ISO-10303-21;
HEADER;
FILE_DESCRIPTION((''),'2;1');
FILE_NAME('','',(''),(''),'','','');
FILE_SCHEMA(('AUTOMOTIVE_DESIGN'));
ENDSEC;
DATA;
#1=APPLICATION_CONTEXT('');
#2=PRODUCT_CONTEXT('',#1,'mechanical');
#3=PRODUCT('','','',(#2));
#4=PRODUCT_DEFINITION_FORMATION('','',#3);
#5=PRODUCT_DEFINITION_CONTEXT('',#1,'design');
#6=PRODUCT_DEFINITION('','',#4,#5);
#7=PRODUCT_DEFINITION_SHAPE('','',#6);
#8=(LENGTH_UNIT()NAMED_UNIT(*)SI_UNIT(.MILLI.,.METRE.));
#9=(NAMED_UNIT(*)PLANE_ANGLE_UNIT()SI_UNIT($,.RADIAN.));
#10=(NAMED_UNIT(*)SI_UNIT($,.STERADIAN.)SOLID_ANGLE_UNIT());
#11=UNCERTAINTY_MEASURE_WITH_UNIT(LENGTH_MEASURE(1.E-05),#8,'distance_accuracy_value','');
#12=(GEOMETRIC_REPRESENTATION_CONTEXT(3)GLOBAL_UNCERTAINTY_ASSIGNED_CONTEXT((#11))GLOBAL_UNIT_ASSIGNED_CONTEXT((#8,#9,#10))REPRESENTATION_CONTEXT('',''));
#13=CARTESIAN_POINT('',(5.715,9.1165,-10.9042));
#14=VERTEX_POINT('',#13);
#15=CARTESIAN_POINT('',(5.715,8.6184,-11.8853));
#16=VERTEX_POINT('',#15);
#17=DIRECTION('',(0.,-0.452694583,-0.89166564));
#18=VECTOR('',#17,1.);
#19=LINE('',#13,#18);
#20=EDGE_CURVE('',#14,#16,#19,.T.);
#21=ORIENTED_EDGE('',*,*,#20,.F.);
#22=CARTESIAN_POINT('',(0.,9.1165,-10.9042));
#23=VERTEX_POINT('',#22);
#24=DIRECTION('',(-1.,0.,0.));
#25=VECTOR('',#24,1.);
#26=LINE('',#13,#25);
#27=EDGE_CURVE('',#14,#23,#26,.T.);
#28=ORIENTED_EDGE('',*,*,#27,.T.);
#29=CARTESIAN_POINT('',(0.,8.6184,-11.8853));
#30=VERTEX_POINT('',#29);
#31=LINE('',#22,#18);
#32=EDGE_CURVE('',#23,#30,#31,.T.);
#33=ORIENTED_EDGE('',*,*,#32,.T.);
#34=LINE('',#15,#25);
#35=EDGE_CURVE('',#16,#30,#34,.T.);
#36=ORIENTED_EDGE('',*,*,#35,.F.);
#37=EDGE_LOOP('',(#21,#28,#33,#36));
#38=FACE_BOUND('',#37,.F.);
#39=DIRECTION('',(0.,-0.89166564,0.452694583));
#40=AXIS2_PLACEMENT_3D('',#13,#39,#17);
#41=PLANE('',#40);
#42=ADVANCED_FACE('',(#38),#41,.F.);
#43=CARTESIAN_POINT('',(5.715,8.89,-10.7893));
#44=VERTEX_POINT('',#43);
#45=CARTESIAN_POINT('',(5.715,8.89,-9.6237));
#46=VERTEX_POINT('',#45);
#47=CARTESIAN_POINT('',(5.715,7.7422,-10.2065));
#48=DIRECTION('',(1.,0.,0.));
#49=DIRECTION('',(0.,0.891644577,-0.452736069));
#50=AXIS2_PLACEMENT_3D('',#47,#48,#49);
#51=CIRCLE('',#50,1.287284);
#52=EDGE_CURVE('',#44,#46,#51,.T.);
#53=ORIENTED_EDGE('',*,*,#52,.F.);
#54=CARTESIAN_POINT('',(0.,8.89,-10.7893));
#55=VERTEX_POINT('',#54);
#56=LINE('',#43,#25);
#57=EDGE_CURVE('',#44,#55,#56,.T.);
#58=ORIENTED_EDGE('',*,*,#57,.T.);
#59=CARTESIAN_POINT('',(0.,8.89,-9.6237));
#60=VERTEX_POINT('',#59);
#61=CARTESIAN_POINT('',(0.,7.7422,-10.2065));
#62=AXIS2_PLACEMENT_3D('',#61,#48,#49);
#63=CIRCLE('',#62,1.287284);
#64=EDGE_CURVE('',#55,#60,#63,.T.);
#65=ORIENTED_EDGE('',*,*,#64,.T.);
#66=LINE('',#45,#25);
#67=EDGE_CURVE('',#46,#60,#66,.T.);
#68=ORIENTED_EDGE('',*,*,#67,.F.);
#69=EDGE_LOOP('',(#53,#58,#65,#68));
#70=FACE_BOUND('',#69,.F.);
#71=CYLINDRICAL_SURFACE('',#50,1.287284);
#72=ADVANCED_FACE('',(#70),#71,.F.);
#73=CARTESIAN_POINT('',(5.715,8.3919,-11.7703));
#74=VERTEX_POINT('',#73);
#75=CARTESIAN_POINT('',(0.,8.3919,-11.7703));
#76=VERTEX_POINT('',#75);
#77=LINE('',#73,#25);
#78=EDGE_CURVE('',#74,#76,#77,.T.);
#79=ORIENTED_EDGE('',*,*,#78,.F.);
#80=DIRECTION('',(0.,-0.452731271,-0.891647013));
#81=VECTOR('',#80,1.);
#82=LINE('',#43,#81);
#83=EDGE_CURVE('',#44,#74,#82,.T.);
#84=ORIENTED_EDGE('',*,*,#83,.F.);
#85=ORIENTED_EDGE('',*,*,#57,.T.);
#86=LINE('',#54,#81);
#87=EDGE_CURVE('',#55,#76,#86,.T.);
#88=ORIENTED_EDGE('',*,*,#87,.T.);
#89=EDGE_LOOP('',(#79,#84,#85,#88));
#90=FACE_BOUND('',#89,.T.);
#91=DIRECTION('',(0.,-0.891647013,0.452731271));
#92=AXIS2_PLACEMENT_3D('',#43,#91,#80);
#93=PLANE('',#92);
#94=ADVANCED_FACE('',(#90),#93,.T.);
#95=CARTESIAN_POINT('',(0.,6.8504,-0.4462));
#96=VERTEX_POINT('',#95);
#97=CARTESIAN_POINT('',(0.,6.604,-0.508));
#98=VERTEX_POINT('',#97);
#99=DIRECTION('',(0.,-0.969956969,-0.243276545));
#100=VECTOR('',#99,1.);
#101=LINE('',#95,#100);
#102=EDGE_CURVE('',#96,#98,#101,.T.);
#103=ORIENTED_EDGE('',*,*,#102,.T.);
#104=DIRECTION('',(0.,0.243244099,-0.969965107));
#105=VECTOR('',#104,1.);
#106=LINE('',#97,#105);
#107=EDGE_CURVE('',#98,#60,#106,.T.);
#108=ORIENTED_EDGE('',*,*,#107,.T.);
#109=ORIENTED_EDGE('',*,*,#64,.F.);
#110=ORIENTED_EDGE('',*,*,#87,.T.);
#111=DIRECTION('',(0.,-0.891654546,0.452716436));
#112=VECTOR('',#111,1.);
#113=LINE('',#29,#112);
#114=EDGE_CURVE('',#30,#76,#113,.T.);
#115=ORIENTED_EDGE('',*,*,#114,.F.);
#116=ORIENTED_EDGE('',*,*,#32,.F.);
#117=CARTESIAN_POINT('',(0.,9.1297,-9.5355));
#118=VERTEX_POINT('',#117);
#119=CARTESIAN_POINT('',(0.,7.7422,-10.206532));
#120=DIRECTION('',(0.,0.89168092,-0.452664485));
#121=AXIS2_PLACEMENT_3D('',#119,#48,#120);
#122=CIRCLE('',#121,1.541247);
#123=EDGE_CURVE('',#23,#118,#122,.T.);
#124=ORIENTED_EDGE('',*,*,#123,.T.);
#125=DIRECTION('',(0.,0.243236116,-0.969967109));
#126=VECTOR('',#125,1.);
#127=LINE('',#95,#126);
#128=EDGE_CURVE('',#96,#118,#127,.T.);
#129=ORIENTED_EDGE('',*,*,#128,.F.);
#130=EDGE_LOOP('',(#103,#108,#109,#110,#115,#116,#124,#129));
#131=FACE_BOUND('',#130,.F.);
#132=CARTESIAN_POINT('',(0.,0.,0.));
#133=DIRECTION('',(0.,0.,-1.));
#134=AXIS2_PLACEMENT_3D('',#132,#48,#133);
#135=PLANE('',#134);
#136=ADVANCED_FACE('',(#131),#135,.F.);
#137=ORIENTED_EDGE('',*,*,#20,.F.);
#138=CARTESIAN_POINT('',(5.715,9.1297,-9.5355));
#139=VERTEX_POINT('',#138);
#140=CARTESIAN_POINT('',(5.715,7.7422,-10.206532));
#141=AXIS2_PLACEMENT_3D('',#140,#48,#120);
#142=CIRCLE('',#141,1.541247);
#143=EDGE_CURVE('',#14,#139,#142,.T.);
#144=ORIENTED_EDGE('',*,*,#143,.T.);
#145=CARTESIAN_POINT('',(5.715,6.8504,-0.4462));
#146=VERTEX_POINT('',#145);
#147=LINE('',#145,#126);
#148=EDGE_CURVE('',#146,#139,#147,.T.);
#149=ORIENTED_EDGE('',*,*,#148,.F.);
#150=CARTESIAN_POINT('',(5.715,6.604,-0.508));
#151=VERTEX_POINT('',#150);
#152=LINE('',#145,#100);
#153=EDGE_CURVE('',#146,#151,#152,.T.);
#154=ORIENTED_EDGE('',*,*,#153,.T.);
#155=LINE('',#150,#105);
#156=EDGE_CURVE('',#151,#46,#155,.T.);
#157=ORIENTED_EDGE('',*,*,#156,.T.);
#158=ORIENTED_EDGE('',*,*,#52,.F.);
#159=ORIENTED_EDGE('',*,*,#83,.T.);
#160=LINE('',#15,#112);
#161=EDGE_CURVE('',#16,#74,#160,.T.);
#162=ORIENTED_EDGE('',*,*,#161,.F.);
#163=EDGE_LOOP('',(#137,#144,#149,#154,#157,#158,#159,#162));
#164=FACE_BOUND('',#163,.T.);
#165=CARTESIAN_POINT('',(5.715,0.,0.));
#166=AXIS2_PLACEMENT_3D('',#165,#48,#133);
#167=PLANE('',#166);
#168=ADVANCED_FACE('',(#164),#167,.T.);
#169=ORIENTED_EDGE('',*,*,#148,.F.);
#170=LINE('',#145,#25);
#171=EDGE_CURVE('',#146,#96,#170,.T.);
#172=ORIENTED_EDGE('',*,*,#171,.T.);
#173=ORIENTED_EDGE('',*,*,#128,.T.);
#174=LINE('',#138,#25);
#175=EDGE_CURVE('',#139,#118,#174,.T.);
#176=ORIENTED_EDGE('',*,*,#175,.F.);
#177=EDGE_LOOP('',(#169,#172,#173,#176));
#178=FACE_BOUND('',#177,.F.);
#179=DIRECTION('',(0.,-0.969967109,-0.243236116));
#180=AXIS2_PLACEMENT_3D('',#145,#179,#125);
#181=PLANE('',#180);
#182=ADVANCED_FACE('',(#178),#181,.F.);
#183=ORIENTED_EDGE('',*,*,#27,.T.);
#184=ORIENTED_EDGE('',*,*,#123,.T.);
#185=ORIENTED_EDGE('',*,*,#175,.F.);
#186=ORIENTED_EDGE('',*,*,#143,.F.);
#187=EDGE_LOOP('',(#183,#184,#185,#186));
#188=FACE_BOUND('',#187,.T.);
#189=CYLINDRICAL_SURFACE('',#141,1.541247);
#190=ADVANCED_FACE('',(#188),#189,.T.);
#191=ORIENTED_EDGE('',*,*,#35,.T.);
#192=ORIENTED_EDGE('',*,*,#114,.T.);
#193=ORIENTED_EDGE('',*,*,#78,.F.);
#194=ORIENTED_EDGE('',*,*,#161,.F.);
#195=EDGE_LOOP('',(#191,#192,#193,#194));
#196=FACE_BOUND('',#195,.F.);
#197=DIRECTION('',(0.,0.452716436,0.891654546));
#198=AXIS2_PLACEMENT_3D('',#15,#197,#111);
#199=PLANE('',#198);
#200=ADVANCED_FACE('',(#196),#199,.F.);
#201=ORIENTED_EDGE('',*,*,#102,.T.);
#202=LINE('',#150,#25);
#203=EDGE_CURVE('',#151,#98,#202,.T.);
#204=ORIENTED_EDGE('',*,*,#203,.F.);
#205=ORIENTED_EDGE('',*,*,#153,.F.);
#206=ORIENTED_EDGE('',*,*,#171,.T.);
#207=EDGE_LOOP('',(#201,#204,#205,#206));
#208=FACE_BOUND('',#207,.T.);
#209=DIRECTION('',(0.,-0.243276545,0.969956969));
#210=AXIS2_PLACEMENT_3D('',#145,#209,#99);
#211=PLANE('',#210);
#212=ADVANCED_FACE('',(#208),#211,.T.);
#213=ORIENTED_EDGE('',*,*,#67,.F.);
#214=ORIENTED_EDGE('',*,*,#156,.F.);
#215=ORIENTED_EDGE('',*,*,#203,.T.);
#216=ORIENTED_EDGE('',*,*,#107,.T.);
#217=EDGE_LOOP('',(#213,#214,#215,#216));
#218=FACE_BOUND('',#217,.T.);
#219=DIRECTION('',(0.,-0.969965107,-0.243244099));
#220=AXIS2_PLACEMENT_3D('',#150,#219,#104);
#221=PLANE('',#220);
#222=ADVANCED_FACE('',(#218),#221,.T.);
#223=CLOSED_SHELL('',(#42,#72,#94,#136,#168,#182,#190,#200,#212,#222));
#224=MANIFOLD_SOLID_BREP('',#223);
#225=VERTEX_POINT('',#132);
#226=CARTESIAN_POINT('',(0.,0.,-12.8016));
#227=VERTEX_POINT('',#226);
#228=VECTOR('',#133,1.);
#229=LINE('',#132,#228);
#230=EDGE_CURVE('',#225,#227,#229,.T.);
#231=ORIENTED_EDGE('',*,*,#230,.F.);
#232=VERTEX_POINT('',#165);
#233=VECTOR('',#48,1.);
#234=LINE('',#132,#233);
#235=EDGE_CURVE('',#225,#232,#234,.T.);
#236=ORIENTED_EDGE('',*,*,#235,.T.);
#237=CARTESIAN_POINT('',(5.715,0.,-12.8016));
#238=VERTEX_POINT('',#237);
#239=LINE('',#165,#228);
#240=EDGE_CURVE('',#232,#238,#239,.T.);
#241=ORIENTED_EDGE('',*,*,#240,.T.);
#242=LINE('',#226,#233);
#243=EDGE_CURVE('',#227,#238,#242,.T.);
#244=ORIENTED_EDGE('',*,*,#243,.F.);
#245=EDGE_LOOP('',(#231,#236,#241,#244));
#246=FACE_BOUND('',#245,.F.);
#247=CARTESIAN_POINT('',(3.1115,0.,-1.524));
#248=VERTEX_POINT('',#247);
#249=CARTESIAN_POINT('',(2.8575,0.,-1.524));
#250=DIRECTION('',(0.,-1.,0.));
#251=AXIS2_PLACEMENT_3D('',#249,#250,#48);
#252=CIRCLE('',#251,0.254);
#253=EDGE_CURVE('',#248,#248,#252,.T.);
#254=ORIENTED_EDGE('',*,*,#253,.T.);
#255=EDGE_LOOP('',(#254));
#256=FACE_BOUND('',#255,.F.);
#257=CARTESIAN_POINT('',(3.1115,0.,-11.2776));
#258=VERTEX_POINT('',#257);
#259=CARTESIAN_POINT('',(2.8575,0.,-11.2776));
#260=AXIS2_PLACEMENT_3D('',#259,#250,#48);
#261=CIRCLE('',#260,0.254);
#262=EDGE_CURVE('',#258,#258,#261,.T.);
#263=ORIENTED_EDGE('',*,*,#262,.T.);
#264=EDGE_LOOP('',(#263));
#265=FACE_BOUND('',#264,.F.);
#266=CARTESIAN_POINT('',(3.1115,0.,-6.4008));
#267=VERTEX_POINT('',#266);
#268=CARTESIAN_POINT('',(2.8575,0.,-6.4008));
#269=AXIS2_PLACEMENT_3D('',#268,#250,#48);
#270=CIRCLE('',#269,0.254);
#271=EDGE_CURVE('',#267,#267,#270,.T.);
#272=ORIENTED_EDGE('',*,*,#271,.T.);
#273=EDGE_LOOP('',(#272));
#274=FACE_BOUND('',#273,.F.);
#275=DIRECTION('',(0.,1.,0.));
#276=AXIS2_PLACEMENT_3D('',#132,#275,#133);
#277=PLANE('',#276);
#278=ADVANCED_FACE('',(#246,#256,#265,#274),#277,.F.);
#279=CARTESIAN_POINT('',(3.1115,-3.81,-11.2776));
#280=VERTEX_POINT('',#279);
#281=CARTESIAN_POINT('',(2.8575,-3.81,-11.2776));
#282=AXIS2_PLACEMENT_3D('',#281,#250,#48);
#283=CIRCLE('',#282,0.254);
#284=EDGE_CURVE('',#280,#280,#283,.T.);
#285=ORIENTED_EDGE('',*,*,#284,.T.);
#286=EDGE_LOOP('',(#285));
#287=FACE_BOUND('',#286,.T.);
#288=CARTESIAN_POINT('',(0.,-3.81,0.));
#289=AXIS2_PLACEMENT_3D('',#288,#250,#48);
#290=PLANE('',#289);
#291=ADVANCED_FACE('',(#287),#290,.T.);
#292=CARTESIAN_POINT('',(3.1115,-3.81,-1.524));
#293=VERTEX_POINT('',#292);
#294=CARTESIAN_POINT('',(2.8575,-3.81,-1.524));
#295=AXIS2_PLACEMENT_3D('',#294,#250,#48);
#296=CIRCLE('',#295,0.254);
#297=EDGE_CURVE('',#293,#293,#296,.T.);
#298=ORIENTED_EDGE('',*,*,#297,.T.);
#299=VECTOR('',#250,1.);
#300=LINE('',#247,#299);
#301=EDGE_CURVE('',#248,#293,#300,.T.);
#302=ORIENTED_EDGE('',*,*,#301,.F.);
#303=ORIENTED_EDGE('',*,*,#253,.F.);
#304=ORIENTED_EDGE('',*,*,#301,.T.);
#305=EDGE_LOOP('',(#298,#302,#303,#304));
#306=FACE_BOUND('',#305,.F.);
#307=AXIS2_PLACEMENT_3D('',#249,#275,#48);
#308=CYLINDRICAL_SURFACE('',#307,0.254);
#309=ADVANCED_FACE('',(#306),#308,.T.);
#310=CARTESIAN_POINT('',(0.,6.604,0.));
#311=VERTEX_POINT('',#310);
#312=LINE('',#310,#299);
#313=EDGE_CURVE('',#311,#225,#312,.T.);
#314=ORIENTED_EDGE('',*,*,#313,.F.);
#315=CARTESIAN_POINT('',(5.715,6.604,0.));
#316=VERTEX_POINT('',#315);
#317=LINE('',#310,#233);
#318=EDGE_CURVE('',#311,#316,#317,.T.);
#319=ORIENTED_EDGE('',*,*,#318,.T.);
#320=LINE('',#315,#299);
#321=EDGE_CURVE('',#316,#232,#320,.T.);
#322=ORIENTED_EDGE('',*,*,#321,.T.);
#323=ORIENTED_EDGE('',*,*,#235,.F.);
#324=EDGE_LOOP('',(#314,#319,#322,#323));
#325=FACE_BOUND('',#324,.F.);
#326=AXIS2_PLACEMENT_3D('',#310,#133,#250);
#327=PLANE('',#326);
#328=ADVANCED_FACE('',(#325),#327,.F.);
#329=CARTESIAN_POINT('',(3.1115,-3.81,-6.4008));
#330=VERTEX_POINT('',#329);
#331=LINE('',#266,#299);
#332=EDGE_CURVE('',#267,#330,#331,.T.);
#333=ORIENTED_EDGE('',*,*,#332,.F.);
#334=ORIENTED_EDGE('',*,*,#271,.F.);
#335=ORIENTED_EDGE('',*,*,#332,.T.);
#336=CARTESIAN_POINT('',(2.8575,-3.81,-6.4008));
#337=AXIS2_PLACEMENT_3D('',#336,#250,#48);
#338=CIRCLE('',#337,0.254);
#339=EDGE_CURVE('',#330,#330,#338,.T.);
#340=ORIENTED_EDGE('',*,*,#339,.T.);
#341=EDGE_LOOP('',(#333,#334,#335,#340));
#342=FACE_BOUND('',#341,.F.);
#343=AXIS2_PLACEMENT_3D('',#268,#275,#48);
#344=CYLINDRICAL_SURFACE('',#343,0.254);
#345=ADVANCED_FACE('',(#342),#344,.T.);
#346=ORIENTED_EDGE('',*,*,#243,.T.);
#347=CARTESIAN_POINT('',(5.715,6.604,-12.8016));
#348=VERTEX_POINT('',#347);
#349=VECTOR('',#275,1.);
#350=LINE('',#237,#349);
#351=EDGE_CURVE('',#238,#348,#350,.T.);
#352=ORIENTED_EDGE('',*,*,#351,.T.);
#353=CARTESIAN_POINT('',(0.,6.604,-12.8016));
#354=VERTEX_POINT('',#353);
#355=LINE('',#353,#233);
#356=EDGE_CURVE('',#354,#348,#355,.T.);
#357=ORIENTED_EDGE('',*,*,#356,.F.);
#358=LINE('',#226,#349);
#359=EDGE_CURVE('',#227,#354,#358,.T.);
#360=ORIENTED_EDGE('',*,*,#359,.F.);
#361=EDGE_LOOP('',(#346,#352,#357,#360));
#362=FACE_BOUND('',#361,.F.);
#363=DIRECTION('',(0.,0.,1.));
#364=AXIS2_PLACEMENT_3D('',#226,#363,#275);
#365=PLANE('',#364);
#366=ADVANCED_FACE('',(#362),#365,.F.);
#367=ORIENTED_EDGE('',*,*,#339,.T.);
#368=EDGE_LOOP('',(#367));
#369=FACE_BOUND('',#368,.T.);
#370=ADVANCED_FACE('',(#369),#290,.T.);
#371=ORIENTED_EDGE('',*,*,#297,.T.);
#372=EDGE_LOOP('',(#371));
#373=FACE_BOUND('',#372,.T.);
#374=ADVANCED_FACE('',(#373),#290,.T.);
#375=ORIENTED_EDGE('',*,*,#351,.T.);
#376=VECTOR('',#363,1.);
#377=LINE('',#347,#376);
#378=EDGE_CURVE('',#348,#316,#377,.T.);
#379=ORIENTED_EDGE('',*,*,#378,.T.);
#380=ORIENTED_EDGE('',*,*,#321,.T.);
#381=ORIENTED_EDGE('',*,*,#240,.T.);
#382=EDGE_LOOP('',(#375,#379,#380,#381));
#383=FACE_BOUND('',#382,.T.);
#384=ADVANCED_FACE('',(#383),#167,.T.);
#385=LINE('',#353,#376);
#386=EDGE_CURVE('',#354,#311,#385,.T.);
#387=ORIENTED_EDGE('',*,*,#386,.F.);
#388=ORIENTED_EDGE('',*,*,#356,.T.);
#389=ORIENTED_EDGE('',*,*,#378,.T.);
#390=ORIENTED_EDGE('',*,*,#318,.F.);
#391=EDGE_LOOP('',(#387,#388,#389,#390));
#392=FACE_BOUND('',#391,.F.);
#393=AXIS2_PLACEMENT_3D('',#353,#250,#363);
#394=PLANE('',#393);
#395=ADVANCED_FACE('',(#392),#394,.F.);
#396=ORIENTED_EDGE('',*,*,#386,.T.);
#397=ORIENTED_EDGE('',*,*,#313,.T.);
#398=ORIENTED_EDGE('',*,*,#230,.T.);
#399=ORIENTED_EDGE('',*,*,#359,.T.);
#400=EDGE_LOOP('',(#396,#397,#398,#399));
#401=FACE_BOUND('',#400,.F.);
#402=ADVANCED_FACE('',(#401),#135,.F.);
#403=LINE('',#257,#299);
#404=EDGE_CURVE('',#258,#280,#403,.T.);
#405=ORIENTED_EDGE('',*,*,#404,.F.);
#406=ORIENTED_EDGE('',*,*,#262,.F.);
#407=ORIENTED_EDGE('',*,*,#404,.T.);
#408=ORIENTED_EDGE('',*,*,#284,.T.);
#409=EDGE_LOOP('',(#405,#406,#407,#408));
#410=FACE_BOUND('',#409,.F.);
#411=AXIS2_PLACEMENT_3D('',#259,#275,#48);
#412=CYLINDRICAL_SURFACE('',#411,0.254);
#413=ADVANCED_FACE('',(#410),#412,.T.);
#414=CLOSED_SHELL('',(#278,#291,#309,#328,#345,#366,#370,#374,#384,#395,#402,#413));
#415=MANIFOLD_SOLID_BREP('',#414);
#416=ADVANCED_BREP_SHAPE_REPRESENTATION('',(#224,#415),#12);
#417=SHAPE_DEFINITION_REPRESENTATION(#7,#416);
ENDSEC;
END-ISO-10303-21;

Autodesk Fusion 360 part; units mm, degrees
sketch "Sketch1" plane through (0, 0, 0) normal (1, 0, 0) x (0, 0, -1)
  line L0 (0, 0) -> (12.8016, 0)
  line L1 (12.8016, 0) -> (12.8016, 6.604)
  line L2 (12.8016, 6.604) -> (0, 6.604)
  line L3 (0, 6.604) -> (0, 0)
  dimension "d1" = 12.8016
  dimension "d2" = 6.604
extrude "Extrude1" add sketch "Sketch1" along normal blind 5.715 makes body 1
sketch "Sketch2" plane through (0, 6.604, 0) normal (0, 1, 0) x (-1, 0, 0)
  line L0 (0, -12.8016) -> (0, 0)
  line L1 (0, 0) -> (-5.715, 0)
  line L2 (-5.715, 0) -> (-5.715, -12.8016)
  line L3 (-5.715, -12.8016) -> (0, -12.8016)
sketch "Sketch3" plane through (0, 0, 0) normal (0, -1, 0) x (1, 0, 0)
  line L0 (0, 0) -> (0, -12.8016)
  line L1 (0, -12.8016) -> (5.715, -12.8016)
  line L2 (5.715, -12.8016) -> (5.715, 0)
  line L3 (5.715, 0) -> (0, 0)
  circle A0 centre (2.8575, -1.524) radius 0.254
  line L4 (2.8575, 0) -> (2.8575, -12.8016) construction
  circle A1 centre (2.8575, -6.4008) radius 0.254
  circle A2 centre (2.8575, -11.2776) radius 0.254
  line L5 (5.715, -6.4008) -> (0, -6.4008) construction
  dimension "d5" = 0.508
  dimension "d6" = 0.508
  dimension "d7" = 0.508
  dimension "d8" = 1.524
  dimension "d9" = 1.524
extrude "Extrude2" add sketch "Sketch3" along normal blind 3.81 contours A0 | A1 | A2 bodies 1
sketch "Sketch4" plane through (5.715, 0, 0) normal (1, 0, 0) x (0, 0, -1)
  line L0 (0, 6.604) -> (0, 0)
  line L1 (0, 0) -> (12.8016, 0)
  line L2 (12.8016, 0) -> (12.8016, 6.604)
  line L3 (12.8016, 6.604) -> (0, 6.604)
  line L4 (0.508, 6.604) -> (9.6237, 8.89)
  arc A0 (10.7893, 8.89) -> (9.6237, 8.89) centre (10.2065, 7.7422) ccw
  line L5 (10.7893, 8.89) -> (11.7703, 8.3919)
  line L6 (0.4462, 6.8504) -> (9.5355, 9.1297)
  arc A1 (10.9042, 9.1165) -> (9.5355, 9.1297) centre (10.2065, 7.7422) ccw
  line L7 (10.9042, 9.1165) -> (11.8853, 8.6184)
  line L8 (11.8853, 8.6184) -> (11.7703, 8.3919)
  line L9 (0.4462, 6.8504) -> (0.508, 6.604)
  point P0 (0.508, 6.604)
  dimension "d12" = 0.508
  dimension "d13" = 9.398
  dimension "d14" = 2.286
  dimension "d15" = 0.254
extrude "Extrude3" add sketch "Sketch4" against normal blind 5.715 separate body contours L4 A0 L5 L6 A1 L7 L8 L9 makes body 2
